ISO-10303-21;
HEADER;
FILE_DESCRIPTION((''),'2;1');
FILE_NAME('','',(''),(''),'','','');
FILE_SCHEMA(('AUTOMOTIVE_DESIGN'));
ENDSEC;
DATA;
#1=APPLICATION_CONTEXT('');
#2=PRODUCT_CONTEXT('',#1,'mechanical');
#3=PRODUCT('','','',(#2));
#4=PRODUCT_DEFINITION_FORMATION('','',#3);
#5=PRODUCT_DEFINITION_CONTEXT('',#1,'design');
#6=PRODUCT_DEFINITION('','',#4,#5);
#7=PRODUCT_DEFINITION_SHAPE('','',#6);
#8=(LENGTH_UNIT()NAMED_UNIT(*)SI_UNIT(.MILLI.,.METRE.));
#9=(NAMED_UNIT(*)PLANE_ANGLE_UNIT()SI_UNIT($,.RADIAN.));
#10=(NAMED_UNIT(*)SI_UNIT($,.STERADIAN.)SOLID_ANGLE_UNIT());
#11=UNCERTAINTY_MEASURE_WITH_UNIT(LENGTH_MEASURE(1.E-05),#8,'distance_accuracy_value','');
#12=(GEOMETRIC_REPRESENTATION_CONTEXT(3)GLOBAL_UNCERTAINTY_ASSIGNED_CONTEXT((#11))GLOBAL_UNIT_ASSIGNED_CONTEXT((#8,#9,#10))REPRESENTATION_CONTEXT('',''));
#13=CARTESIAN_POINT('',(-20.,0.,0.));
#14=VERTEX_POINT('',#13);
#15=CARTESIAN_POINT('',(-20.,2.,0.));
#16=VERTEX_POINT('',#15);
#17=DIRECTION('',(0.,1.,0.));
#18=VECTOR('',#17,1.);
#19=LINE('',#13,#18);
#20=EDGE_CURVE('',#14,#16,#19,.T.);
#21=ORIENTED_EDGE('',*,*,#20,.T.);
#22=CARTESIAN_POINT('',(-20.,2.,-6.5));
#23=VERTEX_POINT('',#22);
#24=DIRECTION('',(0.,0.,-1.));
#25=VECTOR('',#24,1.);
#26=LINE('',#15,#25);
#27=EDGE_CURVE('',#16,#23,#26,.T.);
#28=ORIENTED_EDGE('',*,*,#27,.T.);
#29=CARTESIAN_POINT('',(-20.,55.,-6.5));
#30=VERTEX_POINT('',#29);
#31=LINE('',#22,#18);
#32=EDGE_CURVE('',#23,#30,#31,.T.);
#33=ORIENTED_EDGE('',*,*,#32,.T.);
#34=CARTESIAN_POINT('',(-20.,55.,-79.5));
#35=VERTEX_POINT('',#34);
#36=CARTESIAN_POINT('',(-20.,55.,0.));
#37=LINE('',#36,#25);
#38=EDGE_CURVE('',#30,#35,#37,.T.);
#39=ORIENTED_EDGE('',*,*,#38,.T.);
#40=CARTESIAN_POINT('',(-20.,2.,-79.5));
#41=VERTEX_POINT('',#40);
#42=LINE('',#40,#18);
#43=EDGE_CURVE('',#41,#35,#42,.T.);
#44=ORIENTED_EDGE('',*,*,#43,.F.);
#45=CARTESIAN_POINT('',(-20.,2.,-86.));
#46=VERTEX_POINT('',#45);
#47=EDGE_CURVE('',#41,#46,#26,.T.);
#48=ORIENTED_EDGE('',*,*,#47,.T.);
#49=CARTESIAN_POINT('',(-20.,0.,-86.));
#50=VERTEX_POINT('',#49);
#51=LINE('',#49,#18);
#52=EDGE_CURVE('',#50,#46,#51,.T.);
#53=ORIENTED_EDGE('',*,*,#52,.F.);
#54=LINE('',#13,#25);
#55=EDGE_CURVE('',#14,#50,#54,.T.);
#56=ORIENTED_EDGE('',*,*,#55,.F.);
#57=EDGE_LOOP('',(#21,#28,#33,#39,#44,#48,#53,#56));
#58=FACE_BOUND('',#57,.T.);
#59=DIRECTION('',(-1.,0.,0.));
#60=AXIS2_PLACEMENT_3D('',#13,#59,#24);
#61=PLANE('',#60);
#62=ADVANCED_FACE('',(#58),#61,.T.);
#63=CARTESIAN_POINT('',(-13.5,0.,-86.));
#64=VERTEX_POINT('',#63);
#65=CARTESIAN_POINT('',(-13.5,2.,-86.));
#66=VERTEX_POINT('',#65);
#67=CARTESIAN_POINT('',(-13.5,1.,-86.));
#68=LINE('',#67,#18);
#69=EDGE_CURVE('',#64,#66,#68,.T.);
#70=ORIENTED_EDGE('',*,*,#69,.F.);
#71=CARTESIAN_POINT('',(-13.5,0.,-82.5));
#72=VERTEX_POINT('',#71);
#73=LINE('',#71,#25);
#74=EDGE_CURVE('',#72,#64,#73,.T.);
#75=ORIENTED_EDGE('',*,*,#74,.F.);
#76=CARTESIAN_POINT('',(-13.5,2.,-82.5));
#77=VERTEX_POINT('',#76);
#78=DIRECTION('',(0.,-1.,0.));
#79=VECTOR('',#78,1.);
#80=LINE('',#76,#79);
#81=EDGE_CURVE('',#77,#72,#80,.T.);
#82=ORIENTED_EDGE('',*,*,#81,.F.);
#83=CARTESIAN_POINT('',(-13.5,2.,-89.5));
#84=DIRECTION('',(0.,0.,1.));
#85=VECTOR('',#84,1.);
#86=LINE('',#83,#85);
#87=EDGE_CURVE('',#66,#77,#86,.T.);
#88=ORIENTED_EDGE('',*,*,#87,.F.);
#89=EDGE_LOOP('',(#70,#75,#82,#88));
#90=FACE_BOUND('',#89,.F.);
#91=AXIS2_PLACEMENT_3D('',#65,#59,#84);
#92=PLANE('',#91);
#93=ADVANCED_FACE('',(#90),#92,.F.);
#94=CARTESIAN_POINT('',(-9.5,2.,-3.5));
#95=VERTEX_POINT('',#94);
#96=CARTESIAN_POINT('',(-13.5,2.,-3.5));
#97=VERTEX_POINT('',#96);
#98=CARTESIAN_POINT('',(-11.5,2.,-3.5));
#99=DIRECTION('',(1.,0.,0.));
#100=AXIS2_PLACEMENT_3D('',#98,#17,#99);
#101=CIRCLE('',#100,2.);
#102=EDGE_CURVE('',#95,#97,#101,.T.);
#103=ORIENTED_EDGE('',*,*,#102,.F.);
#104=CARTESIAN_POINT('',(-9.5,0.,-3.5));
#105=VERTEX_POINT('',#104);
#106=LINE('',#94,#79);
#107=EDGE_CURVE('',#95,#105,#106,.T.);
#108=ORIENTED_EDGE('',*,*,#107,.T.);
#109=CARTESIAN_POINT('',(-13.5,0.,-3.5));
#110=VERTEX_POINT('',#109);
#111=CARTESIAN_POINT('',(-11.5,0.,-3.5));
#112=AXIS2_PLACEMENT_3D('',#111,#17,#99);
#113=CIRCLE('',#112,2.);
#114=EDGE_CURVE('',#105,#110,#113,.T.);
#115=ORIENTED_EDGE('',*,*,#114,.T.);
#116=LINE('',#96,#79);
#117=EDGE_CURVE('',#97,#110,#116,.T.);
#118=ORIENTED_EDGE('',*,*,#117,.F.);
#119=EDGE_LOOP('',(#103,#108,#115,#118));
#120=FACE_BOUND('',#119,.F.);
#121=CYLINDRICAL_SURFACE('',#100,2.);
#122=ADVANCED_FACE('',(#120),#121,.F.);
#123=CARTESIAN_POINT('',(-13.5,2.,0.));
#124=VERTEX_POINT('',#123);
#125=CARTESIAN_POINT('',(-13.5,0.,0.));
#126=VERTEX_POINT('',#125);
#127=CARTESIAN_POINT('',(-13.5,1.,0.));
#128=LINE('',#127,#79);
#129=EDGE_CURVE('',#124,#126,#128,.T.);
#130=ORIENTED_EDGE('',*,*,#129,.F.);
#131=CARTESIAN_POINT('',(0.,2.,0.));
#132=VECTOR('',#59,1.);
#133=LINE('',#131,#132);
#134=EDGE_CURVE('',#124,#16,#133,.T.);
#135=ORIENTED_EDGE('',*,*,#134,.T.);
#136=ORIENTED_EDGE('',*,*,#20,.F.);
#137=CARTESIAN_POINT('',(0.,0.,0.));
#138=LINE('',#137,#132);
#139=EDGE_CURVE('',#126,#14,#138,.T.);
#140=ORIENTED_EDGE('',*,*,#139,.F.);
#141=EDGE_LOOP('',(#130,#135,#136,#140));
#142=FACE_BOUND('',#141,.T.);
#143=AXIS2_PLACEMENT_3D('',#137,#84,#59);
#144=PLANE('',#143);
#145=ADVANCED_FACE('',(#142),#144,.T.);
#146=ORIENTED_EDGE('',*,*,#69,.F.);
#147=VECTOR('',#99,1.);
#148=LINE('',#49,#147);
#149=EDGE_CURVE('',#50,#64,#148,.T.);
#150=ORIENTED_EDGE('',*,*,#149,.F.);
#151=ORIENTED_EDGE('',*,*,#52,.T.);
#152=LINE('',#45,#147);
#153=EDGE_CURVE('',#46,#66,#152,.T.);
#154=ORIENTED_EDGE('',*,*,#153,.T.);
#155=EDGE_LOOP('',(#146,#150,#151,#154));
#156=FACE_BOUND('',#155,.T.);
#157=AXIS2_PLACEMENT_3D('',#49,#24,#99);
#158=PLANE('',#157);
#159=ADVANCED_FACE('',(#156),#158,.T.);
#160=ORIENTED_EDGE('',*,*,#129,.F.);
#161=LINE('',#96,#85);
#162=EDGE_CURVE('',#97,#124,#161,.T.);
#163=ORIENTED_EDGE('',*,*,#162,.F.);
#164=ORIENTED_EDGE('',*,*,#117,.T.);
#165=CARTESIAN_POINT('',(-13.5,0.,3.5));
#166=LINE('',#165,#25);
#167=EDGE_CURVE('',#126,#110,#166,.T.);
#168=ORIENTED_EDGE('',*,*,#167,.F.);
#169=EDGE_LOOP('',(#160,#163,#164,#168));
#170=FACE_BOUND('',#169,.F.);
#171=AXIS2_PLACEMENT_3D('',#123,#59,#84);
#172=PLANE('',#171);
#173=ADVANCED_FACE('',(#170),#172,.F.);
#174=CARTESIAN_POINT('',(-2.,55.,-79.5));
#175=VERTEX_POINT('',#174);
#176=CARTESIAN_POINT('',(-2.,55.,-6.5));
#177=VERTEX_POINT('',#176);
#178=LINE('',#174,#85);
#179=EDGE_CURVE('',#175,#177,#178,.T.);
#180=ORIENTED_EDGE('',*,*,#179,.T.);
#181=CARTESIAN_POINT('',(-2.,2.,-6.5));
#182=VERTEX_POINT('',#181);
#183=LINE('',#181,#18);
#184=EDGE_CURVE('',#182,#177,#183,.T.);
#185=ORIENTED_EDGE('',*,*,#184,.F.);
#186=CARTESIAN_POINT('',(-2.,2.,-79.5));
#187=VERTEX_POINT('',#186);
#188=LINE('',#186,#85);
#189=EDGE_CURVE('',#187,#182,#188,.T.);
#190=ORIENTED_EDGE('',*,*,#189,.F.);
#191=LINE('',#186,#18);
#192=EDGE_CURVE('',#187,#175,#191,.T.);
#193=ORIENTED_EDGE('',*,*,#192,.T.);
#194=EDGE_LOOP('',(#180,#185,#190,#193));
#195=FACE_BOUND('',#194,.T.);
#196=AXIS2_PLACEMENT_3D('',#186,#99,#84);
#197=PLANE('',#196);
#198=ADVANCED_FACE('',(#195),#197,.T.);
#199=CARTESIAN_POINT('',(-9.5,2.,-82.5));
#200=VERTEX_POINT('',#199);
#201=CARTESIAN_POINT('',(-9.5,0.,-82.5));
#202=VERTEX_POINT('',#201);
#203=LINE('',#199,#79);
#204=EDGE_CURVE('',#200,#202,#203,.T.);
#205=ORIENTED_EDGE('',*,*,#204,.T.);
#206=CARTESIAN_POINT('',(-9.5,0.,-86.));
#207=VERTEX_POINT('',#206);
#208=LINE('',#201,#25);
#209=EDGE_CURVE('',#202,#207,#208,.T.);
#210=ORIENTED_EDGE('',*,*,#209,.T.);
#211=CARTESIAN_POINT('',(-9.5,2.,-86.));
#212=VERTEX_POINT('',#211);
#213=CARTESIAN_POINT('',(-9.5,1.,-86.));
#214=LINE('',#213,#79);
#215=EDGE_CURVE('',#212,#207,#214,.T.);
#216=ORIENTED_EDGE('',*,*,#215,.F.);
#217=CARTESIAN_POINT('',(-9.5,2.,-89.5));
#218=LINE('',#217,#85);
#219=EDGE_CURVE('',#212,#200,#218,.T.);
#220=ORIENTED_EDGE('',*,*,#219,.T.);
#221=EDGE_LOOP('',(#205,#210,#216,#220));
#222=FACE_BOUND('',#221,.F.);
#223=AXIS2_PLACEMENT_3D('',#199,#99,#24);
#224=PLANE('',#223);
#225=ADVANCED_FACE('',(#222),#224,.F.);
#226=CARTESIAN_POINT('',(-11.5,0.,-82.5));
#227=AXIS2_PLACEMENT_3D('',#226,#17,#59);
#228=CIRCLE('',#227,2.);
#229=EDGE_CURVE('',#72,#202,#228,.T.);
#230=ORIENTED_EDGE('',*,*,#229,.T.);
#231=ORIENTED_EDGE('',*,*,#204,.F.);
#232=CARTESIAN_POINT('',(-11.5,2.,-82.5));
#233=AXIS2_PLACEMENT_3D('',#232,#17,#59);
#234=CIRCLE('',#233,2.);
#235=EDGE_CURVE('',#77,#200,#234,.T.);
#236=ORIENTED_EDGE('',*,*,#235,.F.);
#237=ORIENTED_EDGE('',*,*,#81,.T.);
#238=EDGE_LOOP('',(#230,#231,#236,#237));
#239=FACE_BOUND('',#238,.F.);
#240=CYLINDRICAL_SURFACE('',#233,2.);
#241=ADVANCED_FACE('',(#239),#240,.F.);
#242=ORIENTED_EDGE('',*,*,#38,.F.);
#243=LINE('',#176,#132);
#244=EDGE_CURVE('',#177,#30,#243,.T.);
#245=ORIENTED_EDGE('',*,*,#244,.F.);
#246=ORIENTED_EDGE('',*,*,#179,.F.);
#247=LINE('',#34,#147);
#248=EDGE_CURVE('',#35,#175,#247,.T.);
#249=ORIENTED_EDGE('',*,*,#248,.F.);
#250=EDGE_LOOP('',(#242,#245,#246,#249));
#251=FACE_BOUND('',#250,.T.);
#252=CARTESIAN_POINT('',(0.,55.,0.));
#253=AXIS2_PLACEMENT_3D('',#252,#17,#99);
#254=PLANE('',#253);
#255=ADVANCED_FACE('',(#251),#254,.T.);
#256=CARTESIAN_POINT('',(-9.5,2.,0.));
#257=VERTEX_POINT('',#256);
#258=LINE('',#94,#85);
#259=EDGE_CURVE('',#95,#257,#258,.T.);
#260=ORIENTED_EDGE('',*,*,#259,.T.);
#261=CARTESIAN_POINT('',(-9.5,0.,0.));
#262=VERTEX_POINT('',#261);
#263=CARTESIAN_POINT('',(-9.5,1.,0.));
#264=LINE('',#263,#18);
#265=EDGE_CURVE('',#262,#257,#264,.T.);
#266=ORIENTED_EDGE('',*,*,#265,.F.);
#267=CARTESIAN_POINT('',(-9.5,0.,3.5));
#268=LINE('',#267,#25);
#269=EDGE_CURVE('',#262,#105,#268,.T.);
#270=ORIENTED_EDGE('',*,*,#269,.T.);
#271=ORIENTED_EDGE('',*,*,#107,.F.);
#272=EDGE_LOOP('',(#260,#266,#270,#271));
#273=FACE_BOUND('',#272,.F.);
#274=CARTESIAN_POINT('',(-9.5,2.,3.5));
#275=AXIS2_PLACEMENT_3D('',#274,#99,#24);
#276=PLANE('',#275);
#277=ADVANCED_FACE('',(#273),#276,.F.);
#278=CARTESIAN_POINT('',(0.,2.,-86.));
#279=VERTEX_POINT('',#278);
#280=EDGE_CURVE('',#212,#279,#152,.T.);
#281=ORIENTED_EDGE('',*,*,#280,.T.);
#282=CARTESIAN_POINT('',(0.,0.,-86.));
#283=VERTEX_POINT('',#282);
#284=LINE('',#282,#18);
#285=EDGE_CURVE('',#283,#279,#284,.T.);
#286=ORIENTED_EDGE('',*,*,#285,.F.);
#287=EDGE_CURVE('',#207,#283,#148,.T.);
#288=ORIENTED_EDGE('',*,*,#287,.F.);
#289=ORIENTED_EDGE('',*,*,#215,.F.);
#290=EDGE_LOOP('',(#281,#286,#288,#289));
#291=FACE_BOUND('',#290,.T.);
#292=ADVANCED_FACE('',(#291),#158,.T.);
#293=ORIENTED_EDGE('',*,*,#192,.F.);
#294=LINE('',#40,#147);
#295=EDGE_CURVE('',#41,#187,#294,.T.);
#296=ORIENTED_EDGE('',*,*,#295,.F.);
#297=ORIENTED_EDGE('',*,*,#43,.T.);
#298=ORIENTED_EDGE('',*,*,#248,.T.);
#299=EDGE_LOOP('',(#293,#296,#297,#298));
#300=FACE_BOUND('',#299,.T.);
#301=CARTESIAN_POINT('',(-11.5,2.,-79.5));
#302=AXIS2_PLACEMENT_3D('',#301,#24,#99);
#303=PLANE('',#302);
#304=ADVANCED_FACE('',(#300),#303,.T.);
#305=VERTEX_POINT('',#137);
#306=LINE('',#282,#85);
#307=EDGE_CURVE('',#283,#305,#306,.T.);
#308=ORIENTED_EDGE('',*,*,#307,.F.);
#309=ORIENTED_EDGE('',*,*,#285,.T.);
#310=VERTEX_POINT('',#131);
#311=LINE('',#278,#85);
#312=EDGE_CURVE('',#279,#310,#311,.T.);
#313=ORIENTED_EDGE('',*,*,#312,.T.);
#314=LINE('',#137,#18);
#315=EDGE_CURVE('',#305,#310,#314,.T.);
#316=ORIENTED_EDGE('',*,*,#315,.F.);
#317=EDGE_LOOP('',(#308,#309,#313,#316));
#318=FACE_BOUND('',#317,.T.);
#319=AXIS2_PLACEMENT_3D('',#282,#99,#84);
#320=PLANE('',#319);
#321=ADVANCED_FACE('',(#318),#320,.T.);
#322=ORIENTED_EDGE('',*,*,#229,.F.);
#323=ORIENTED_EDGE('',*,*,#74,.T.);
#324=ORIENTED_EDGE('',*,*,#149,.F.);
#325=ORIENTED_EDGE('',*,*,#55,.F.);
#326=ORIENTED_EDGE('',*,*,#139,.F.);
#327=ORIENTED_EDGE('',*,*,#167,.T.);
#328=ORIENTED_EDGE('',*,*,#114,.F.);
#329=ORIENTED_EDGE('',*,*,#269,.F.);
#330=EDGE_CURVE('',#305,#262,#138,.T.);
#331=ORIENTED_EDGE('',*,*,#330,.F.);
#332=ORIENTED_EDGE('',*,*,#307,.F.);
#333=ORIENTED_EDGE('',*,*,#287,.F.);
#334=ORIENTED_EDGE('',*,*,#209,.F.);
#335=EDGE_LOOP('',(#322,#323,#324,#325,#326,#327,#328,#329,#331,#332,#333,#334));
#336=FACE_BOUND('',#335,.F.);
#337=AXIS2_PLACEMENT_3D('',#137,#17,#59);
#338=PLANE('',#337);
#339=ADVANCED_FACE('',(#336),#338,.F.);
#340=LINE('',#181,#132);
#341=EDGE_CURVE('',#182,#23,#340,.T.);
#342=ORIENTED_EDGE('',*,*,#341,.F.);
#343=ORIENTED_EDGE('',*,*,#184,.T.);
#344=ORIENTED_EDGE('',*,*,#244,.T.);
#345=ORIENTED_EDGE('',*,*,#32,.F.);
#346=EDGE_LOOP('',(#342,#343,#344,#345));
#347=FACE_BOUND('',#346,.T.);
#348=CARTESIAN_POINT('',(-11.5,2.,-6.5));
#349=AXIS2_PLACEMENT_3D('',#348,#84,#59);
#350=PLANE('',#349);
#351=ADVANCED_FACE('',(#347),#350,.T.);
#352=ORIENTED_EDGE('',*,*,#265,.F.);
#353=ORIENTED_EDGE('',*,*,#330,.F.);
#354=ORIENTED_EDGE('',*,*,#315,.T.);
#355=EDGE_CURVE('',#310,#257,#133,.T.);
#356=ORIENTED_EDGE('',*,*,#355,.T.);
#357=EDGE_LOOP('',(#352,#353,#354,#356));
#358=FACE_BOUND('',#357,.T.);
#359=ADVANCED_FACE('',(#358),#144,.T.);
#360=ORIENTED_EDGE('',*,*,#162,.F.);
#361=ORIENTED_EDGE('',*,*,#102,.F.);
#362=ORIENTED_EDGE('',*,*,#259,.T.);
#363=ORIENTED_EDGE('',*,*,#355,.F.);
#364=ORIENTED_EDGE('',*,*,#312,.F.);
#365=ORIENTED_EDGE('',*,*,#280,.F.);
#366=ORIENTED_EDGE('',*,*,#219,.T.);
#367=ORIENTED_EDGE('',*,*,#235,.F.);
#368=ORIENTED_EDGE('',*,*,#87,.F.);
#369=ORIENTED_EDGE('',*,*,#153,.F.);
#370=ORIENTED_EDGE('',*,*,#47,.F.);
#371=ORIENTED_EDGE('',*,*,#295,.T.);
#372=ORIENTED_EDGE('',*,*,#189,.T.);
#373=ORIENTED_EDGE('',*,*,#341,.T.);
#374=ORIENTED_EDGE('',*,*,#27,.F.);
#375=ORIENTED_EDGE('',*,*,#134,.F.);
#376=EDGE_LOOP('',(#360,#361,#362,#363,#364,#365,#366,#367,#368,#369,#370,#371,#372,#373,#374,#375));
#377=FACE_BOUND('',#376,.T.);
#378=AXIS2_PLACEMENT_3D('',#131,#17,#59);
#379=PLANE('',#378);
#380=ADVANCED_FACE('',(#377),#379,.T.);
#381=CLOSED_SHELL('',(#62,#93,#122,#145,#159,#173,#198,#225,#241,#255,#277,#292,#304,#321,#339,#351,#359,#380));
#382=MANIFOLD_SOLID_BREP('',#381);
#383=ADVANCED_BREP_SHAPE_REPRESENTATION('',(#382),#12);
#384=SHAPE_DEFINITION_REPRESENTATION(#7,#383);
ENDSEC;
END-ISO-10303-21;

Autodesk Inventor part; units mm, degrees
ref_plane "YZ Plane" through (0, 0, 0) normal (1, 0, 0) x (0, 1, 0)
ref_plane "XZ Plane" through (0, 0, 0) normal (0, 1, 0) x (-1, 0, 0)
ref_plane "XY Plane" through (0, 0, 0) normal (0, 0, 1) x (1, 0, 0)
sketch "Sketch1" plane through (0, 0, 0) normal (0, 1, 0) x (-1, 0, 0)
  line L0 (0, 0) -> (20, 0)
  line L1 (20, 0) -> (20, -86)
  line L2 (20, -86) -> (0, -86)
  line L3 (0, -86) -> (0, 0)
  dimension "d0" = 20
  dimension "d1" = 86
extrude "Extrusion1" add sketch "Sketch1" along normal blind 2
sketch "Sketch2" plane through (0, 2, 0) normal (0, 1, 0) x (1, 0, 0)
  line L0 (0, 0) -> (0, 86) projected
  line L1 (0, 0) -> (-11.5, 0)
  line L2 (-20, 0) -> (0, 0) projected
  line L3 (-11.5, -3.5) -> (-11.5, 3.5) construction
  line L4 (-9.5, -3.5) -> (-9.5, 3.5)
  line L5 (-13.5, 3.5) -> (-13.5, -3.5)
  arc A0 (-13.5, -3.5) -> (-9.5, -3.5) centre (-11.5, -3.5) ccw
  arc A1 (-9.5, 3.5) -> (-13.5, 3.5) centre (-11.5, 3.5) ccw
  line L6 (-11.5, 89.5) -> (-11.5, 82.5) construction
  line L7 (0, 86) -> (-20, 86) projected
  line L8 (-13.5, 89.5) -> (-13.5, 82.5)
  line L9 (-9.5, 82.5) -> (-9.5, 89.5)
  arc A2 (-9.5, 89.5) -> (-13.5, 89.5) centre (-11.5, 89.5) ccw
  arc A3 (-13.5, 82.5) -> (-9.5, 82.5) centre (-11.5, 82.5) ccw
  line L10 (-11.5, 86) -> (-4.5, 86) construction
  dimension "d4" = 11.5
  dimension "d5" = 3.5
  dimension "d6" = 4
  dimension "d7" = 3.5
  dimension "d8" = 90
  dimension "d9" = 4
  dimension "d10" = 11.5
extrude "Extrusion2" cut sketch "Sketch2" against normal blind 2
sketch "Sketch3" plane through (0, 2, 0) normal (0, 1, 0) x (1, 0, 0)
  arc A0 (-9.5, 3.5) -> (-13.5, 3.5) centre (-11.5, 3.5) ccw projected
  line L0 (-11.5, 3.5) -> (-11.5, 6.5)
  arc A1 (-13.5, 82.5) -> (-9.5, 82.5) centre (-11.5, 82.5) ccw projected
  line L1 (-11.5, 82.5) -> (-11.5, 79.5)
  line L2 (-11.5, 79.5) -> (-20, 79.5)
  line L3 (-20, 0) -> (-20, 86) projected
  line L4 (-11.5, 6.5) -> (-2, 6.5)
  line L5 (0, 86) -> (0, 0) projected
  line L6 (-2, 6.5) -> (-20, 6.5)
  line L7 (-20, 6.5) -> (-20, 79.5)
  line L8 (-20, 79.5) -> (-2, 79.5)
  line L9 (-2, 79.5) -> (-2, 6.5)
  dimension "d13" = 3
  dimension "d14" = 3
  dimension "d15" = 9.5
extrude "Extrusion3" add sketch "Sketch3" along normal blind 53
properties part number "DM332T_Stepper"
